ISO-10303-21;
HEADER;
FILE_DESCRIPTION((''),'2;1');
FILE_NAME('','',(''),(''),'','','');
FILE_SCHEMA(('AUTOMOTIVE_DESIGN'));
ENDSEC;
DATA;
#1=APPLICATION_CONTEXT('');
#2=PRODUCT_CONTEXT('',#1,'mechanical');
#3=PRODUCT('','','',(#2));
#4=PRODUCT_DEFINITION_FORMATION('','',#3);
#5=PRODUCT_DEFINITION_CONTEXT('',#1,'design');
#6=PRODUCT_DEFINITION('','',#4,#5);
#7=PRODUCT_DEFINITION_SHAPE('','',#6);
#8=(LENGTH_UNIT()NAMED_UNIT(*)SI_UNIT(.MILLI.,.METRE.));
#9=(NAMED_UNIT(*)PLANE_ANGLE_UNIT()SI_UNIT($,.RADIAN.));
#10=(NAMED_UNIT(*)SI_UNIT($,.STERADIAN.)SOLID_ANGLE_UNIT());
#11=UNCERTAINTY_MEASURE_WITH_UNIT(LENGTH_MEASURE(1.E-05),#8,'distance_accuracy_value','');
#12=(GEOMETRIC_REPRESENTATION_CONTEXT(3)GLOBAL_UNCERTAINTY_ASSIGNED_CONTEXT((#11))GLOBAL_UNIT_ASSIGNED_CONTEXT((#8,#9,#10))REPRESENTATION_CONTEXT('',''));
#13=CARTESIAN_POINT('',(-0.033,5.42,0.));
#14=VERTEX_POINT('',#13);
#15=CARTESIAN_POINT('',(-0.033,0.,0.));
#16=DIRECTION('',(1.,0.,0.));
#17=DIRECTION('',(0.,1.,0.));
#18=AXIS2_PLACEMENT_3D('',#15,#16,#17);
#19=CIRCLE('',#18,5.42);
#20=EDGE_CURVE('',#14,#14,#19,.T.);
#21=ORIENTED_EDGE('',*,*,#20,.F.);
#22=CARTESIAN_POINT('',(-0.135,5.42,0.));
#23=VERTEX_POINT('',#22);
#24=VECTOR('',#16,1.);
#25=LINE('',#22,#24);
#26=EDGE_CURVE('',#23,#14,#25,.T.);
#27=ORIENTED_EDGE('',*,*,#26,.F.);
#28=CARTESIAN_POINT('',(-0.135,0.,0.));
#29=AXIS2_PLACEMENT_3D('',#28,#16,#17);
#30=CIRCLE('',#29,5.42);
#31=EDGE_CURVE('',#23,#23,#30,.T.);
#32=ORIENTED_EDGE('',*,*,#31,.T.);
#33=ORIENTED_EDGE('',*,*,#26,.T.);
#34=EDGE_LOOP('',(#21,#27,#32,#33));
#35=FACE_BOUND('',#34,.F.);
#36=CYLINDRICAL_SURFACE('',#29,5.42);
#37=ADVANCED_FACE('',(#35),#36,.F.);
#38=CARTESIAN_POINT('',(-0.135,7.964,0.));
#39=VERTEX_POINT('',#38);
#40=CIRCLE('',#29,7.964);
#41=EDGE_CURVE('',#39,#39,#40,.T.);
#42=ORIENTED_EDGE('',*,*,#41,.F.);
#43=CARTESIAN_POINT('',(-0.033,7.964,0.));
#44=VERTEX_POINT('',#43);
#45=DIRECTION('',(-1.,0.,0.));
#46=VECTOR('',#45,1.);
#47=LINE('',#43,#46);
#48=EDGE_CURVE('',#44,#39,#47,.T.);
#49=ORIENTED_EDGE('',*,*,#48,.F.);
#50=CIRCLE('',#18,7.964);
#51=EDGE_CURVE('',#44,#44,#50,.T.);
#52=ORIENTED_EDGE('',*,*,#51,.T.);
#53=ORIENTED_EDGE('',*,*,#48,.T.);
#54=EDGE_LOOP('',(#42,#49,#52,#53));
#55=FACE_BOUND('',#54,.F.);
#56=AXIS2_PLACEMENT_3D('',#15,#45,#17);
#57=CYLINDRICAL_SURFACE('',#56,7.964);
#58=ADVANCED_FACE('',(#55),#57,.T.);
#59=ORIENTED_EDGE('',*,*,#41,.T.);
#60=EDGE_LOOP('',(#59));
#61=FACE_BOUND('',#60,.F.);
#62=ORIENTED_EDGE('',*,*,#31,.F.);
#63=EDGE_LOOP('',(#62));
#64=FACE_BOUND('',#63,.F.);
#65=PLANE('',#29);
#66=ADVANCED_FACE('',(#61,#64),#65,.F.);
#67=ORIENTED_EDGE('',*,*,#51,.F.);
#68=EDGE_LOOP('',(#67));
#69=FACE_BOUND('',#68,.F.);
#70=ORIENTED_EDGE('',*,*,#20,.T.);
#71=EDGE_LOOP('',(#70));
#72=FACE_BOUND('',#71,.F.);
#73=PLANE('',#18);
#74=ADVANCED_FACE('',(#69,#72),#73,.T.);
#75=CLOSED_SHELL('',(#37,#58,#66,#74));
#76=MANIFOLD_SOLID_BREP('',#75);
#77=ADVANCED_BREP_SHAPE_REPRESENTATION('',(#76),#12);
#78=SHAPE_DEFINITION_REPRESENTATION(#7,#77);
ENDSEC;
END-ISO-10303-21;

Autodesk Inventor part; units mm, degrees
sketch "Sketch_1" plane through (0, 0, 0) normal (0, 0, 1) x (1, 0, 0)
  line L0 (-0.033, 0) -> (-0.135, 0)
  line L1 (-0.135, 7.964) -> (-0.135, 5.42)
  line L2 (-0.135, 5.42) -> (-0.033, 5.42)
  line L3 (-0.033, 5.42) -> (-0.033, 7.964)
  line L4 (-0.033, 7.964) -> (-0.135, 7.964)
revolve "Revolution1" add sketch "Sketch_1" angle 360 about axis through (-0.033, 0, 0) along (1, 0, 0)
ref_plane "mss_s_XY" through (0, 0, 0) normal (1, 0, 0) x (0, 0, -1)
ref_plane "mss_s_YZ" through (0, 0, 0) normal (0, 0, -1) x (0, 1, 0)
ref_plane "mss_s_ZX" through (0, 0, 0) normal (0, 1, 0) x (1, 0, 0)
properties part number "607ZZ Shield"
